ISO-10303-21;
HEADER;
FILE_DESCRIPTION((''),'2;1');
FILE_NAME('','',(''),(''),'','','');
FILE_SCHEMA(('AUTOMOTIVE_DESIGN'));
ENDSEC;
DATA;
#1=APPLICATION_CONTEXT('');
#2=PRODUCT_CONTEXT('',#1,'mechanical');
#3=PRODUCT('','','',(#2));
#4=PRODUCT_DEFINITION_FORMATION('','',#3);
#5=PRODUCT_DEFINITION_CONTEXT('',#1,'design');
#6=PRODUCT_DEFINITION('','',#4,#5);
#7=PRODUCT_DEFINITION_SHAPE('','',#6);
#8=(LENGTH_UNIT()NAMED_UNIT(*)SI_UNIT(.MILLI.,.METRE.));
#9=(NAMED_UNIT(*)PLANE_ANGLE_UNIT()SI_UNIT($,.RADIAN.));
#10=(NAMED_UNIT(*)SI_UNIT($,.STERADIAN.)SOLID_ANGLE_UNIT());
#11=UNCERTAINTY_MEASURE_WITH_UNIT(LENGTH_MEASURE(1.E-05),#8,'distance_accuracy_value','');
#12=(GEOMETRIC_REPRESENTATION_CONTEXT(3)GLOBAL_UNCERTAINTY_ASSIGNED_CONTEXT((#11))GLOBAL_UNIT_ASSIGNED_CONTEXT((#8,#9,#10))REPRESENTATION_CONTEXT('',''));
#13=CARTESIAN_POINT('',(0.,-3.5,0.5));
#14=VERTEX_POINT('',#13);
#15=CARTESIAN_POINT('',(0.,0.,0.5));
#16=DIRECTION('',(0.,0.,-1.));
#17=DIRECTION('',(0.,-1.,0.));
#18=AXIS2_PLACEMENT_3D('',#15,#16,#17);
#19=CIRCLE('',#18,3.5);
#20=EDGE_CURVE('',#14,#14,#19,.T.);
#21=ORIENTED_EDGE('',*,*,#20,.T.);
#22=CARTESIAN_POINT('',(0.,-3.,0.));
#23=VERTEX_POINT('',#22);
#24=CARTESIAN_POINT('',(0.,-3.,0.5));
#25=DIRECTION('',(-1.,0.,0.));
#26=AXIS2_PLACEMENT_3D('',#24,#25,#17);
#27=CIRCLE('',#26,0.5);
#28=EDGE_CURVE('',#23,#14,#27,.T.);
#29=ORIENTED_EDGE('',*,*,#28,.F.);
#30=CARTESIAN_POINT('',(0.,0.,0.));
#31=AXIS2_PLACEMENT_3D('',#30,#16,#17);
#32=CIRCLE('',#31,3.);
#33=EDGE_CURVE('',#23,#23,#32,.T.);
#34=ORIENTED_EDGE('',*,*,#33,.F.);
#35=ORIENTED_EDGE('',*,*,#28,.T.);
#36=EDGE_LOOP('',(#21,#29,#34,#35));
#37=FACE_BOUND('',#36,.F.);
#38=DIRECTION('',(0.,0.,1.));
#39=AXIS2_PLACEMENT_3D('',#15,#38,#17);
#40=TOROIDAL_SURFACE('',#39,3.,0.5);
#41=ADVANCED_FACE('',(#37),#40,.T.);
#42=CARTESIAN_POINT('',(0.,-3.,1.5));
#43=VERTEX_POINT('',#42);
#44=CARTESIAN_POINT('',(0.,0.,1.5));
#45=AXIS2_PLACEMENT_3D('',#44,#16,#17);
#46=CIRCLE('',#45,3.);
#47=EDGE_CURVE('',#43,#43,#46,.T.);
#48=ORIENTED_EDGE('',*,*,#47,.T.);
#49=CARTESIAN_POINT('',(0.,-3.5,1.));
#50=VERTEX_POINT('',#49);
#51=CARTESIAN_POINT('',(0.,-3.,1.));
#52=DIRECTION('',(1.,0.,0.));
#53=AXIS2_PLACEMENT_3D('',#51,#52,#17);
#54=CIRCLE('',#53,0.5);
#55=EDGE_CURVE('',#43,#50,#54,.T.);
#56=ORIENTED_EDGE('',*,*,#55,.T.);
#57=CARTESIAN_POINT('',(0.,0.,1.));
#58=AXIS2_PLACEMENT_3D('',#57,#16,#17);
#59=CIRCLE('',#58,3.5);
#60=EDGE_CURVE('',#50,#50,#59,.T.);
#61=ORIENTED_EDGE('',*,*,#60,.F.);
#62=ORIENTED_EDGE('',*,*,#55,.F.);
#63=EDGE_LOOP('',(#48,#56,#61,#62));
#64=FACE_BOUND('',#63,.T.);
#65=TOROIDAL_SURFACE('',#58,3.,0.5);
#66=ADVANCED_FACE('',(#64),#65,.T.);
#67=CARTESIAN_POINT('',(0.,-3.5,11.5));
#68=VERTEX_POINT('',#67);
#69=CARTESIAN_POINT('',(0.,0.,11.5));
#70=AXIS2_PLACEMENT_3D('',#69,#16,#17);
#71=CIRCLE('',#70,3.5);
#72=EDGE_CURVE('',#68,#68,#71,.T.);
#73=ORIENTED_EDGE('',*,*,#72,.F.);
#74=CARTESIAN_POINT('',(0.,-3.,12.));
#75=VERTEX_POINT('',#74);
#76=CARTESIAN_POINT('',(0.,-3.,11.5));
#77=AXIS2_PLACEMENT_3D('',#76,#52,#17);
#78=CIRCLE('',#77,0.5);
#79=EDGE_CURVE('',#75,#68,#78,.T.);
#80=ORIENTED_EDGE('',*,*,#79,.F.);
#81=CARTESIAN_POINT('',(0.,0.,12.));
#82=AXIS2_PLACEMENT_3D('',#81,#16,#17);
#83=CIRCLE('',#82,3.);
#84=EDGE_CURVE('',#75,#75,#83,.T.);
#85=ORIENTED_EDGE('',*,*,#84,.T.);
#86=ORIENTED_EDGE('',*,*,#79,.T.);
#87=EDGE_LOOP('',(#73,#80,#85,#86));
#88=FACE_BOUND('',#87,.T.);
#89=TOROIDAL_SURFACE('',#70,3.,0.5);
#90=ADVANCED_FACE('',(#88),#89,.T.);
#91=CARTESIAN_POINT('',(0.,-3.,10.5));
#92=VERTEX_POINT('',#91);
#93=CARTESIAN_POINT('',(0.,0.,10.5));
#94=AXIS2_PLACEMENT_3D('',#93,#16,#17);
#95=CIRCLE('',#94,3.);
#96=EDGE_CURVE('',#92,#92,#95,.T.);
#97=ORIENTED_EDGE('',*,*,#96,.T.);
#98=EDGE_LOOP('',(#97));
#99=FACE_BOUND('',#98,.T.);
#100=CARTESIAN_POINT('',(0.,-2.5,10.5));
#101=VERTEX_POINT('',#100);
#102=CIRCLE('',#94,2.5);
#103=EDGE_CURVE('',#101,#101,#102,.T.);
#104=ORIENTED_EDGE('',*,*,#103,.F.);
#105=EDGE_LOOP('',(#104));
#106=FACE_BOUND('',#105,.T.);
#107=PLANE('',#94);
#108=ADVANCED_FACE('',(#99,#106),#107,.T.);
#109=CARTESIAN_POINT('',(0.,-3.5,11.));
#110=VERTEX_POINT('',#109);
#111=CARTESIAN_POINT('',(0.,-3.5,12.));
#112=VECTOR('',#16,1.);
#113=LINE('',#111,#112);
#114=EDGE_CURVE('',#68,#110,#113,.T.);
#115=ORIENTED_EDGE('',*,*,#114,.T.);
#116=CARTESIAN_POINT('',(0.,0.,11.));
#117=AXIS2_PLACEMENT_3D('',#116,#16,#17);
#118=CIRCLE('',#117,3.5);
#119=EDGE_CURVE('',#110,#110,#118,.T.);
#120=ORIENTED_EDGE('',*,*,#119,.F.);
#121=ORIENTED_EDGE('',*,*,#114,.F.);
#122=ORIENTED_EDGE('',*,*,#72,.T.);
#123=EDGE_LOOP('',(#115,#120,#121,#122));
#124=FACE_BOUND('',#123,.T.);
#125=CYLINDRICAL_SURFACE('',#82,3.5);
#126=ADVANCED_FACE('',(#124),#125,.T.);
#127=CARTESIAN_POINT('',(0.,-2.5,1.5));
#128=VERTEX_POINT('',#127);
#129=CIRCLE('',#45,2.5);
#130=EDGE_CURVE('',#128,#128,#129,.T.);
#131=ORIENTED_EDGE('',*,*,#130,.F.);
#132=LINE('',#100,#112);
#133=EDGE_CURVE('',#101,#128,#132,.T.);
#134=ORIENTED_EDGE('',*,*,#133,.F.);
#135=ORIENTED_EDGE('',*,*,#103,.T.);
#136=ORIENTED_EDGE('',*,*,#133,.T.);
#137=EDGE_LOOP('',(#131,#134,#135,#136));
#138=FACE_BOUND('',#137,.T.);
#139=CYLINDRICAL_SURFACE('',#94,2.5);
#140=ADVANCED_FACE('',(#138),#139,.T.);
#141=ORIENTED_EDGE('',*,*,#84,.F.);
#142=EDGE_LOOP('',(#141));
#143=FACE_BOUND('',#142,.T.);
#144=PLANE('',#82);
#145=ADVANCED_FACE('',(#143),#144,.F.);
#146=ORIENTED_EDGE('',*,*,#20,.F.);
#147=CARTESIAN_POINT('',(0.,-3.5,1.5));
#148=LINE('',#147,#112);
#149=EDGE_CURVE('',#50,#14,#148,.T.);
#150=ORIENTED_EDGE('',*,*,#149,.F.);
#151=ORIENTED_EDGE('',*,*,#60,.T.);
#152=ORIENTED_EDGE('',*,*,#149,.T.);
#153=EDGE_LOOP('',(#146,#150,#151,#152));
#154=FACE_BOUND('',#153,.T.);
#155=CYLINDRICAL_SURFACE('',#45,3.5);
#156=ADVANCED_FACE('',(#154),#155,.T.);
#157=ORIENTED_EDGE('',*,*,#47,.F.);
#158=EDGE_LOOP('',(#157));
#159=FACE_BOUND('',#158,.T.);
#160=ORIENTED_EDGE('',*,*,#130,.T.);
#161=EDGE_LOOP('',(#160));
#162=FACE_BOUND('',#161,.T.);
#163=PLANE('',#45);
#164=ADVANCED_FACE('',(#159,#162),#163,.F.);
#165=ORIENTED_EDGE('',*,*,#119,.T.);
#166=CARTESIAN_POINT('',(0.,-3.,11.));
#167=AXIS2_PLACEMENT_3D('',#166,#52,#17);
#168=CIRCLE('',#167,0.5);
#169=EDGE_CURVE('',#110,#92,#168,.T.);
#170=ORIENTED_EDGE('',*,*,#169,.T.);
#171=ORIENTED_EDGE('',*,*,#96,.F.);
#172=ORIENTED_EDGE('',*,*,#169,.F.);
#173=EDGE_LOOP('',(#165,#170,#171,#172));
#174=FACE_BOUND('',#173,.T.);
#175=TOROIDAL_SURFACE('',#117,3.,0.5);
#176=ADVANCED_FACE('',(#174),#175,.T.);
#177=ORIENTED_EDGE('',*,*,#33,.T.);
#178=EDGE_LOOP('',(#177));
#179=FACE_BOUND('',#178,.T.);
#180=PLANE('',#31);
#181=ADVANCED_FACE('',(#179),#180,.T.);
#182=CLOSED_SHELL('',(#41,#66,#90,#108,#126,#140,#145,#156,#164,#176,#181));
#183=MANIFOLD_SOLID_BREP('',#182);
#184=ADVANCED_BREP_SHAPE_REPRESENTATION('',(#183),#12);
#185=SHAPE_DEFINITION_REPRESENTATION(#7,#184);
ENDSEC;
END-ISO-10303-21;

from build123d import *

# Parameters (mm, degrees)
F2_R = 0.5


with BuildPart() as f1:
    # F0 (on Right) → F1 (revolve)
    with BuildSketch(Plane.YZ):
        Polygon((-3.5, 0), (0, 0), (0, 12), (-3.5, 12), (-3.5, 10.5), (-2.5, 10.5), (-2.5, 1.5), (-3.5, 1.5), align=None)
    revolve(axis=Axis((0, 0, 6), (0, 0, -1)))

    # F2
    f2_edges = [f1.edges().sort_by_distance(p)[0] for p in [
        (0, 3.5, 12),
        (0, 3.5, 10.5),
        (0, -3.5, 11.25),
        (0, 3.5, 1.5),
        (0, 3.5, 0),
        (0, -3.5, 0.75),
    ]]
    fillet(f2_edges, radius=F2_R)


solid = f1.part
